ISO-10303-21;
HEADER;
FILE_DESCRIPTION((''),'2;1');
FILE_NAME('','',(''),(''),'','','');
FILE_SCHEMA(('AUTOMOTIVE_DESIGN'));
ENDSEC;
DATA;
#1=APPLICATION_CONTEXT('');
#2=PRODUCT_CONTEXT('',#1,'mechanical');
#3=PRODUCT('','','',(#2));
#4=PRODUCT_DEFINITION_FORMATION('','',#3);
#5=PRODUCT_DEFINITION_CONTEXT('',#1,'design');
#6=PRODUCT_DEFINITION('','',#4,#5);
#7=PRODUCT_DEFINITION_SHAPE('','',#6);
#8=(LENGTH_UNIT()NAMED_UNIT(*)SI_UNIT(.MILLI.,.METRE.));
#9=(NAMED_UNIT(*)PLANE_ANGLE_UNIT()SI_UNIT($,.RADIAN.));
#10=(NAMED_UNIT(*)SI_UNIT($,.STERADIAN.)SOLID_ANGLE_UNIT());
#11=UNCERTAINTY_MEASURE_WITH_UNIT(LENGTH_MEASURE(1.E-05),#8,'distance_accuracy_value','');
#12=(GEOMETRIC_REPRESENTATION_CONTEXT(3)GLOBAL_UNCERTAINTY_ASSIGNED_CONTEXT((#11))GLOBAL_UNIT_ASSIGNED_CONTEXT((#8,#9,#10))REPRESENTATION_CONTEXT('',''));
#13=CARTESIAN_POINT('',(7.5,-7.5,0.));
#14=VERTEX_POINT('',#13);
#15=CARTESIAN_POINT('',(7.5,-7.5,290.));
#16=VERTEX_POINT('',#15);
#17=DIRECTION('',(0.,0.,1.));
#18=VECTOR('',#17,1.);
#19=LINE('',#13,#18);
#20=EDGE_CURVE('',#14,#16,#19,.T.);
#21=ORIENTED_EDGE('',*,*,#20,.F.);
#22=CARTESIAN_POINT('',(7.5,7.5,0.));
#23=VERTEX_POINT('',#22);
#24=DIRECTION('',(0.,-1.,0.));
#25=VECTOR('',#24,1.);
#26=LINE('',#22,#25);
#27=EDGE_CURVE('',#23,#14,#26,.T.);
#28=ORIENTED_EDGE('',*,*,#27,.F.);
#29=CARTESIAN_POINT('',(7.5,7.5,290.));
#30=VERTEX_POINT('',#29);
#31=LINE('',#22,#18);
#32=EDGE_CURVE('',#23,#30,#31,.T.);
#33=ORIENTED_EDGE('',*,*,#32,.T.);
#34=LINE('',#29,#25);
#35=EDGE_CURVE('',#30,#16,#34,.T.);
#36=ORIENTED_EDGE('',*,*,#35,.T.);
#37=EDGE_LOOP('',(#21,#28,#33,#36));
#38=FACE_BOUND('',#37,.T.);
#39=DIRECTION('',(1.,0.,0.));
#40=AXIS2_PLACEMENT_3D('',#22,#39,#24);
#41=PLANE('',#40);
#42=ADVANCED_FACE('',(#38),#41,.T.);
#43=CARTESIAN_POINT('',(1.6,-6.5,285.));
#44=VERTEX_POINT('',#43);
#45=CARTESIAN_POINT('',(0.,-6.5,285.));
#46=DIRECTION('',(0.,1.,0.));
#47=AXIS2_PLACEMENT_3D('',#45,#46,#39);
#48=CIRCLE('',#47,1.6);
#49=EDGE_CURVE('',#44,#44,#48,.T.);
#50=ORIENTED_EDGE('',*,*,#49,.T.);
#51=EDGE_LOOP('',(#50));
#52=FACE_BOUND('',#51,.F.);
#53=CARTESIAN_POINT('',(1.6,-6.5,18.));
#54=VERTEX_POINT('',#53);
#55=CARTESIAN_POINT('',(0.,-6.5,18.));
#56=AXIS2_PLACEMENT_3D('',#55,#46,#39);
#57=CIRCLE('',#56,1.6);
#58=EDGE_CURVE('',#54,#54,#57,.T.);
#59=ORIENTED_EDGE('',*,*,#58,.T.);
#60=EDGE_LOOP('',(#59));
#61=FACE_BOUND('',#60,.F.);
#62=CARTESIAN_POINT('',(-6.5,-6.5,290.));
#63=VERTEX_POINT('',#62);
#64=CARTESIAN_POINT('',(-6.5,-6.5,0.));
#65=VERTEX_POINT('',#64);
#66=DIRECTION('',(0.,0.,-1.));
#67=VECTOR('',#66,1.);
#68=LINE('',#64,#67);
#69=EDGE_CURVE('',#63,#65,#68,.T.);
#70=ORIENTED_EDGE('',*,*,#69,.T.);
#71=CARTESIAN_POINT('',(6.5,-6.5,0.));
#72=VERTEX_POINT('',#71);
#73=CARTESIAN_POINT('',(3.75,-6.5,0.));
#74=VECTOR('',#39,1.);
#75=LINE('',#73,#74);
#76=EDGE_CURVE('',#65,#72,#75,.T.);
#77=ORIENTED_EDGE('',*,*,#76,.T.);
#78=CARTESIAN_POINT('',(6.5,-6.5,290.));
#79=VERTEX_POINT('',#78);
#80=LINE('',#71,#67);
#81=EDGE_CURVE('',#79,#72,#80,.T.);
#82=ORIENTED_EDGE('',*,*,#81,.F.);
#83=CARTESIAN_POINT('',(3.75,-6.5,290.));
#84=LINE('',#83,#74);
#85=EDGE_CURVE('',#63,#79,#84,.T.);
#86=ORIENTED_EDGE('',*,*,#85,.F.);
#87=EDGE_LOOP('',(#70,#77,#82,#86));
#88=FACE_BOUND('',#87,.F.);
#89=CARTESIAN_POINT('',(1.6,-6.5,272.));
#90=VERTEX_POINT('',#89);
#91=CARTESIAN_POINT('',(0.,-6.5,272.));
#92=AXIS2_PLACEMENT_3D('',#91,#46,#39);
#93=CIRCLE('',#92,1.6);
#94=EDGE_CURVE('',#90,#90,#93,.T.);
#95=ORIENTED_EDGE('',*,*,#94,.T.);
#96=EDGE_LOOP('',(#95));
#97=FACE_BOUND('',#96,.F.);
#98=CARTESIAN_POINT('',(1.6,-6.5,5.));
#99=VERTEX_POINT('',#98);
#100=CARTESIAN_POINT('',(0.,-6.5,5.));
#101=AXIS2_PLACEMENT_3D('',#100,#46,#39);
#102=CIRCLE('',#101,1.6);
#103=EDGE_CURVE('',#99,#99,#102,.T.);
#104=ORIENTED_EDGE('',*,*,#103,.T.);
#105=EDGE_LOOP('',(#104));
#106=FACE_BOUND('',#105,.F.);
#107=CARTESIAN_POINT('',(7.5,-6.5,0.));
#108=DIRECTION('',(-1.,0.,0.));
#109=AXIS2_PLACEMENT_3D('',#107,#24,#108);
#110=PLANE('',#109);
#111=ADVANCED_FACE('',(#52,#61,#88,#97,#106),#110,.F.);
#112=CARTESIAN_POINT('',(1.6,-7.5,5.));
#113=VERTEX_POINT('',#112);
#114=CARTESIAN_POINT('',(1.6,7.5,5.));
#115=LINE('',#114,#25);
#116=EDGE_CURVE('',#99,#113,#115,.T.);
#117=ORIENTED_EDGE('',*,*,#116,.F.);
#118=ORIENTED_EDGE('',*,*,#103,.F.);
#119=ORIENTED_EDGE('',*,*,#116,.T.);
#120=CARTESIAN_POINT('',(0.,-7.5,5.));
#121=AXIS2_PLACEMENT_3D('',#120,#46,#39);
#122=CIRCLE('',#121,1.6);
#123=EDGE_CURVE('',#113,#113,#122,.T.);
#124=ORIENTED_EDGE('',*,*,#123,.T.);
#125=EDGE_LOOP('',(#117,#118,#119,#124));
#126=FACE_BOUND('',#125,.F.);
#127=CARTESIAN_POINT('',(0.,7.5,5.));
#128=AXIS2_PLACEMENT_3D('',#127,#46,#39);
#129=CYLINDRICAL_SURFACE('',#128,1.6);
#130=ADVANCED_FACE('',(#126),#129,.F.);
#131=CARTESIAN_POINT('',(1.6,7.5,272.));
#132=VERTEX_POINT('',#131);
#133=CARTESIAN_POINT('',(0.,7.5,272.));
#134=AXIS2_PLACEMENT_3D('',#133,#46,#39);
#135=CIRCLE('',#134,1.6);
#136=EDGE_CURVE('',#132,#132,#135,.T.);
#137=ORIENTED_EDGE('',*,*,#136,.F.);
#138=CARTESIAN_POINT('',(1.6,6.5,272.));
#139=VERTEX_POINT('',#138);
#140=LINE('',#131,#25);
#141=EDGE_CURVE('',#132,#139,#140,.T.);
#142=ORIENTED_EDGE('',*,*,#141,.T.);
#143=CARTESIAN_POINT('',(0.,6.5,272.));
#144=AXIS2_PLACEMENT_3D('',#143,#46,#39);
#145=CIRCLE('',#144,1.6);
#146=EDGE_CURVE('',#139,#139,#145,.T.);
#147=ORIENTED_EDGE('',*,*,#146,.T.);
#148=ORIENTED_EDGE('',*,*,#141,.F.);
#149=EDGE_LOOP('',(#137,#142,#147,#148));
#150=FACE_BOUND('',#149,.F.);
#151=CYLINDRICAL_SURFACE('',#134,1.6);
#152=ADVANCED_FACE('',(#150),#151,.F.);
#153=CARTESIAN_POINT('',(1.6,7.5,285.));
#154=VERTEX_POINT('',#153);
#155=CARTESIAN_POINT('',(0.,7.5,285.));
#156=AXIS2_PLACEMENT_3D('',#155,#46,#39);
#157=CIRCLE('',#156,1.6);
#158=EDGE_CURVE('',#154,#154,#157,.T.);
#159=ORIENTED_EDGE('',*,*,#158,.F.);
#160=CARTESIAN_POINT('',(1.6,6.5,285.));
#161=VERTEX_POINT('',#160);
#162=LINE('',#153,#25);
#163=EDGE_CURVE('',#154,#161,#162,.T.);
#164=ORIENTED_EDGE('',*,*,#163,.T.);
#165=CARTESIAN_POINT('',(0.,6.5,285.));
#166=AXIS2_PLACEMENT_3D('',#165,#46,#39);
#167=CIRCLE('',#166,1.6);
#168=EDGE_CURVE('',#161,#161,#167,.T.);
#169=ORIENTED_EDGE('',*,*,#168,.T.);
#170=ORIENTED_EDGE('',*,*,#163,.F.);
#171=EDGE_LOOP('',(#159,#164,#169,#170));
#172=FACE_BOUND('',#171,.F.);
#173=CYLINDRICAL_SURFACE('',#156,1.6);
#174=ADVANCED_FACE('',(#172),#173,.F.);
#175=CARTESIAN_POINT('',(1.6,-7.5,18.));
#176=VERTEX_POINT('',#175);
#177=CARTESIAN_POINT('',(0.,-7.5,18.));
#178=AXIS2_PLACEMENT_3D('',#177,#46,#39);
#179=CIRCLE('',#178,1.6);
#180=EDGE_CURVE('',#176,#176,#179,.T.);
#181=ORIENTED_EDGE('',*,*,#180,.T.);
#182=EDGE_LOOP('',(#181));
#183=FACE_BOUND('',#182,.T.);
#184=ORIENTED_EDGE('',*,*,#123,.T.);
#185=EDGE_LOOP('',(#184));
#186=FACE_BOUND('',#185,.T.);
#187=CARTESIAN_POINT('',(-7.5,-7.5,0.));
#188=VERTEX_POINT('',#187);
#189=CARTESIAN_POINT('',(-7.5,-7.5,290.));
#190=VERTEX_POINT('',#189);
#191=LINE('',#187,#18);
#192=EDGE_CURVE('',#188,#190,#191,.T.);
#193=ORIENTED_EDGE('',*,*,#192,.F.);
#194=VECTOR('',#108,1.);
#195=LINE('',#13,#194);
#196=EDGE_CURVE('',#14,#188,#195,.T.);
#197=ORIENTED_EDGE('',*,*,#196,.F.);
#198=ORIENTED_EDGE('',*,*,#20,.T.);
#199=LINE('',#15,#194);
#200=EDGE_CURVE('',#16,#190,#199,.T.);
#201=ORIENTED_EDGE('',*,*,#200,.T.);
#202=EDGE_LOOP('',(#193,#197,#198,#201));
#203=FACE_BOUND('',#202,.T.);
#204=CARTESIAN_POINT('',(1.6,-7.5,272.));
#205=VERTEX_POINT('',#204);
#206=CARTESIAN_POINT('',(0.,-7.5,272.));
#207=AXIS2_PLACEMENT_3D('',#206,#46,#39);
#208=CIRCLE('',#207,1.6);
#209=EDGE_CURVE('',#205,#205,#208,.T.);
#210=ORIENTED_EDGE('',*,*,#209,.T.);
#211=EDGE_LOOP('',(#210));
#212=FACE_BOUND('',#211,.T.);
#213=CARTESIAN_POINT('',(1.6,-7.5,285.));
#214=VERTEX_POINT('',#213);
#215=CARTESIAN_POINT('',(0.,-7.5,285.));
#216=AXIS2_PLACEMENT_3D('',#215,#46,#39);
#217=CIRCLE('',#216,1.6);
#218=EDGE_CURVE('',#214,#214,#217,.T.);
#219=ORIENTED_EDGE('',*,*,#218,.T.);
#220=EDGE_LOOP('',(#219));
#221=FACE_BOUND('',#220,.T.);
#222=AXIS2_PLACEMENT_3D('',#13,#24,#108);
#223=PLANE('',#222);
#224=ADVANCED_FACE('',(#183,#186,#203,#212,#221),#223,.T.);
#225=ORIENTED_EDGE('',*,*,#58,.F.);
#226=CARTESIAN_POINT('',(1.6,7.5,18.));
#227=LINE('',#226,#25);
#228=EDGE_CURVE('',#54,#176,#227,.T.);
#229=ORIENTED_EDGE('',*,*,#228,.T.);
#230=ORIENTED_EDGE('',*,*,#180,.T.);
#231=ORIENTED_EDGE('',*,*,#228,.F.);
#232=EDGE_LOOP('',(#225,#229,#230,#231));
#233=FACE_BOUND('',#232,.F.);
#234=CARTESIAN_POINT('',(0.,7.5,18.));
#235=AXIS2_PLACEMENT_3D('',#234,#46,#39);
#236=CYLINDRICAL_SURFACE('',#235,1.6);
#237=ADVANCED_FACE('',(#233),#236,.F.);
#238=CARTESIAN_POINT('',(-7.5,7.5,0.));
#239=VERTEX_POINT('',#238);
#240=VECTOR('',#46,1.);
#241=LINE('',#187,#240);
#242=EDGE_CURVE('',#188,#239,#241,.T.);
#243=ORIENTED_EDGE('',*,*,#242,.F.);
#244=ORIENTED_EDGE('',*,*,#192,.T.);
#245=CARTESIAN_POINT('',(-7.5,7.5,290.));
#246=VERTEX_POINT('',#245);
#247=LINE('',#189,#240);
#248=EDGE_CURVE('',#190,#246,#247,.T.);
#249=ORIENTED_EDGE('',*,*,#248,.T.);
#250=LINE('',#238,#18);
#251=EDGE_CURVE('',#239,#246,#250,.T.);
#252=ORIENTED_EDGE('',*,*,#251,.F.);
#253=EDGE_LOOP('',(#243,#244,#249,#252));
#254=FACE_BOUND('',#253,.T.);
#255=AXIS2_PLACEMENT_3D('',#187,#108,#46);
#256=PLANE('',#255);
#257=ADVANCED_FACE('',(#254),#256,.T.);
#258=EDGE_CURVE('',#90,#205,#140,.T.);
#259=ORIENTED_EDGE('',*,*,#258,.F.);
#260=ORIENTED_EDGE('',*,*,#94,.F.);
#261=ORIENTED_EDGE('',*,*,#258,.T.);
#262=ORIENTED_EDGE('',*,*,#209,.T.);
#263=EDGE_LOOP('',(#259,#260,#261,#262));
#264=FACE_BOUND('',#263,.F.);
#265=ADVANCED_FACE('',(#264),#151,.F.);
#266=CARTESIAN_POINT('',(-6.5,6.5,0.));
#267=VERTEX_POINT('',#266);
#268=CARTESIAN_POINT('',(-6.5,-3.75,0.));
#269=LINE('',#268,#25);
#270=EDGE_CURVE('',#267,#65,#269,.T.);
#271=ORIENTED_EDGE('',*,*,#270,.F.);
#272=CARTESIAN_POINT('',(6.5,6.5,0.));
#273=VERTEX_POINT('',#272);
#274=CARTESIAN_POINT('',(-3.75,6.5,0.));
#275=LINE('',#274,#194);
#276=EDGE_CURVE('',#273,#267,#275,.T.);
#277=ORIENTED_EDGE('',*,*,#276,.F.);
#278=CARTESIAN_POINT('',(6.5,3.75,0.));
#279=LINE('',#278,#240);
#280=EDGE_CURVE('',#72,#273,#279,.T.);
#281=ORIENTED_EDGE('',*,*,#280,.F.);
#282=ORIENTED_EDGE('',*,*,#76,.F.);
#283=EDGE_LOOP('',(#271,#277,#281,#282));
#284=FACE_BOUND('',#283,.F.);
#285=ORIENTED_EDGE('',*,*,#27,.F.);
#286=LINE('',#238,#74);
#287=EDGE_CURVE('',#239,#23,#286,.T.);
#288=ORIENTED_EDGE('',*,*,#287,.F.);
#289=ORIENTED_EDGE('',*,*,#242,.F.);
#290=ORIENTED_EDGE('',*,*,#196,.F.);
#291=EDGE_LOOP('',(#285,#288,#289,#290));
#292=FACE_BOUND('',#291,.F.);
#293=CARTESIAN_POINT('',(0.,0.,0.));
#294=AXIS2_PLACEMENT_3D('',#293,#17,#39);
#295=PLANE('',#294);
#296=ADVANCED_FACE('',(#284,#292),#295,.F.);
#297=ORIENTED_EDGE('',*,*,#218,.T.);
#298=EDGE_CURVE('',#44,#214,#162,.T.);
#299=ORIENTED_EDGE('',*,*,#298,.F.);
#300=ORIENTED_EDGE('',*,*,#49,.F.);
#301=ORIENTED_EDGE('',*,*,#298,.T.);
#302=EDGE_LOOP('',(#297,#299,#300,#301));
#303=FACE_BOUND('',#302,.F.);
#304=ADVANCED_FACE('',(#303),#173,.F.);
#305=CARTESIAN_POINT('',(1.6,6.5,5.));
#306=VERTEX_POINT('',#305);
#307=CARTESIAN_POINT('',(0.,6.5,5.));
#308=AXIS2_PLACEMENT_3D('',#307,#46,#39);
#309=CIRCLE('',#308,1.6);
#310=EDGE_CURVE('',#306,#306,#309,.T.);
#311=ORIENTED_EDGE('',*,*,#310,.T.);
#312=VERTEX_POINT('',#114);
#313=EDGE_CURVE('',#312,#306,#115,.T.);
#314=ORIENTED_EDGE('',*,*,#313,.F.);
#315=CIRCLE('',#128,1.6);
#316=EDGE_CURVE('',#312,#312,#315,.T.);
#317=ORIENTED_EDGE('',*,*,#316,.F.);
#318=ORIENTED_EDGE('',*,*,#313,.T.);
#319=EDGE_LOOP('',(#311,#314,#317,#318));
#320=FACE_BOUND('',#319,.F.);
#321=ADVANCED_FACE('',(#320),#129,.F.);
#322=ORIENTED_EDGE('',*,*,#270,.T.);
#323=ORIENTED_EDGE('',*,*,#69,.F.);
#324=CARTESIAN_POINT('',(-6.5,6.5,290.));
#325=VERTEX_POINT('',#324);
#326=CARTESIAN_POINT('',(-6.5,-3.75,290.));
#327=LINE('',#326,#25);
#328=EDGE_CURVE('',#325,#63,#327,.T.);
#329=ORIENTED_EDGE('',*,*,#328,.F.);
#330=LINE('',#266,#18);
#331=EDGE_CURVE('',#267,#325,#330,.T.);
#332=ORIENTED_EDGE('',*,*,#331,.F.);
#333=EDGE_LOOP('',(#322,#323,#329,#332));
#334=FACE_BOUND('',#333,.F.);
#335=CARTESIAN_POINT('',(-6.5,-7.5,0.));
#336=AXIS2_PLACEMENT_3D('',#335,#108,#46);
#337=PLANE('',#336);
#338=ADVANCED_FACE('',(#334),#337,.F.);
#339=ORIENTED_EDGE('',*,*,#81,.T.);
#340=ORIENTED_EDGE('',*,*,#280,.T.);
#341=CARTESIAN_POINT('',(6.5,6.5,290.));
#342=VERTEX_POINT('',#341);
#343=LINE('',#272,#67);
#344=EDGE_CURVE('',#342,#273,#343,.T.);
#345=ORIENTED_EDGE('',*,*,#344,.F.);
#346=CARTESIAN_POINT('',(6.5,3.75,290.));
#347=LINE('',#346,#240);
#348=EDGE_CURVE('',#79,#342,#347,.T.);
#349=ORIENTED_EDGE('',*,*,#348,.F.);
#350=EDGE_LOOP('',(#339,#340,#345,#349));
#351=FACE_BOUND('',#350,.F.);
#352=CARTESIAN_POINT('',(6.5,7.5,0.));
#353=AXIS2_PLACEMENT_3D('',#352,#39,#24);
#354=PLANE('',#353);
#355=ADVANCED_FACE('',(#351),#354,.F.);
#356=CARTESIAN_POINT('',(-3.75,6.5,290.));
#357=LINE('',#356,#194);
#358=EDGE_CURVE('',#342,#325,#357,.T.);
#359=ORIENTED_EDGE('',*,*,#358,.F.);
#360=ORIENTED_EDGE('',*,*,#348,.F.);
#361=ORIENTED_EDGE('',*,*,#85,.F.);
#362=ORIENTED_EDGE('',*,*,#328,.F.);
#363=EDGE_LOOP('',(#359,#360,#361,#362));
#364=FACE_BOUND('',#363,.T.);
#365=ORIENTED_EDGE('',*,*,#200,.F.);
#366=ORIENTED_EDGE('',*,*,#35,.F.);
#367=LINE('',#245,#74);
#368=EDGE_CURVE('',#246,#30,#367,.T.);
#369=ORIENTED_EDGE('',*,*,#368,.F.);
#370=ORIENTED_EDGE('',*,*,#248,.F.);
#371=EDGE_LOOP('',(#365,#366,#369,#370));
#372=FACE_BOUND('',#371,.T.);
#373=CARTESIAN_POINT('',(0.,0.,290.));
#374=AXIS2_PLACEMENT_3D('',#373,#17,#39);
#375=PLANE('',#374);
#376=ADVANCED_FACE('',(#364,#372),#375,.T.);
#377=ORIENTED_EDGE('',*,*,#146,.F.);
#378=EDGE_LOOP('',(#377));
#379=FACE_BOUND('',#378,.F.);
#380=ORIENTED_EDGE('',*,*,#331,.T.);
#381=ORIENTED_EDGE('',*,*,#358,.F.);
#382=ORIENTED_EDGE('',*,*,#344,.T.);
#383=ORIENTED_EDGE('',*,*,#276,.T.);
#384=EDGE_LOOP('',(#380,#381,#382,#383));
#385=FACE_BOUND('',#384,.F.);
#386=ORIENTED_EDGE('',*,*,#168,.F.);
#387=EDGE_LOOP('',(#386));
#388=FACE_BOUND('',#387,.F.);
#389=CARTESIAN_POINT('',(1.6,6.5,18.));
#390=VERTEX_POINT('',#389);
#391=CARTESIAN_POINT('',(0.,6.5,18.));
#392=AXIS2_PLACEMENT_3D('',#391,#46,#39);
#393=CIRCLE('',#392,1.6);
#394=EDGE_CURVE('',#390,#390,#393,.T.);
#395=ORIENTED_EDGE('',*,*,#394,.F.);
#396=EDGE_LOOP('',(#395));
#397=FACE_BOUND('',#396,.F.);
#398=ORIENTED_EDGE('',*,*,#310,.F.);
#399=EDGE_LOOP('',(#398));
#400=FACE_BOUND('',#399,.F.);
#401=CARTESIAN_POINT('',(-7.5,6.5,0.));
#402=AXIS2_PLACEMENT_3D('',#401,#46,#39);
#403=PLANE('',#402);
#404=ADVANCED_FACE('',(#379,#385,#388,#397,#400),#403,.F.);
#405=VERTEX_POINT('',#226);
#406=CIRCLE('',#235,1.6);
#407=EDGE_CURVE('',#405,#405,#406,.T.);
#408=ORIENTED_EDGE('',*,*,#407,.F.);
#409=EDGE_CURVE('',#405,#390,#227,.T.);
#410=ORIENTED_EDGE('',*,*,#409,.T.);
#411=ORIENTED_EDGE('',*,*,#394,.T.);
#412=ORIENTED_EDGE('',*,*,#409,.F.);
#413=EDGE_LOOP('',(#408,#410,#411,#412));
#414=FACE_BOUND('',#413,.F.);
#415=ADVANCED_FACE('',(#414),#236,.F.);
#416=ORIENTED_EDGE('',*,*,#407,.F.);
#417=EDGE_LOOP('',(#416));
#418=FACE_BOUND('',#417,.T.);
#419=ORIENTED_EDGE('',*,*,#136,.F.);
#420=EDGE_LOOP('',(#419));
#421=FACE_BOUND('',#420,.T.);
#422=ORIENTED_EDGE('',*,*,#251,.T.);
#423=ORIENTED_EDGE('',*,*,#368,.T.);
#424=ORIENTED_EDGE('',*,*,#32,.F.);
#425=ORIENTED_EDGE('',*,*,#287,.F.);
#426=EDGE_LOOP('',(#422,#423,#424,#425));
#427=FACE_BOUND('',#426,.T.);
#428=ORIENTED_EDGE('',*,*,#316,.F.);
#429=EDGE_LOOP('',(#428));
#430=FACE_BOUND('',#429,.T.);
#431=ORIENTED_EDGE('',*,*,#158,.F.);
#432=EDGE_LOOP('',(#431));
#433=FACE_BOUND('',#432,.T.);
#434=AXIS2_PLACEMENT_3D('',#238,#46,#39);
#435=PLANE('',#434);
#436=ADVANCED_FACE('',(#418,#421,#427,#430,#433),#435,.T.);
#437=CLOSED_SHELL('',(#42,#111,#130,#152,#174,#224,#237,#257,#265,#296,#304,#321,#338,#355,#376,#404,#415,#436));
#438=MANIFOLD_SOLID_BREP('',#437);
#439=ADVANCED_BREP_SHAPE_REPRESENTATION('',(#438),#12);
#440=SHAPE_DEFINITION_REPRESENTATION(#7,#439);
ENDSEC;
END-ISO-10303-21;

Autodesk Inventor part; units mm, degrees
ref_plane "YZ Plane" through (0, 0, 0) normal (1, 0, 0) x (0, 1, 0)
ref_plane "XZ Plane" through (0, 0, 0) normal (0, 1, 0) x (-1, 0, 0)
ref_plane "XY Plane" through (0, 0, 0) normal (0, 0, 1) x (1, 0, 0)
sketch "スケッチ1" plane through (0, 0, 0) normal (0, 0, 1) x (1, 0, 0)
  line L0 (-7.5, 7.5) -> (7.5, 7.5)
  line L1 (7.5, 7.5) -> (7.5, -7.5)
  line L2 (7.5, -7.5) -> (-7.5, -7.5)
  line L3 (-7.5, -7.5) -> (-7.5, 7.5)
  point P0 (0, 0)
  point P1 (-7.5, 0)
  point P2 (0, 7.5)
  dimension "d0" = 15
  dimension "d1" = 15
extrude "押し出し1" add sketch "スケッチ1" along normal blind 290
shell "シェル1" thickness 1 removed faces 2 at (-2.5, -2.5, 0) at (-2.5, -2.5, 290)
sketch "スケッチ2" plane through (-7.5, 7.5, 0) normal (0, 1, 0) x (1, 0, 0)
  circle A0 centre (7.5, -5) radius 1.6
  circle A1 centre (7.5, -18) radius 1.6
  circle A2 centre (7.5, -272) radius 1.6
  circle A3 centre (7.5, -285) radius 1.6
  line L0 (15, 0) -> (0, 0) projected
  line L1 (15, -290) -> (0, -290) projected
  point P0 (7.5, 0)
  point P1 (7.5, 0)
  point P2 (7.5, 0)
  dimension "d5" = 3.2
  dimension "d6" = 3.2
  dimension "d7" = 3.2
  dimension "d8" = 3.2
  dimension "d9" = 5
  dimension "d10" = 13
  dimension "d11" = 5
  dimension "d12" = 13
extrude "押し出し2" cut sketch "スケッチ2" against normal through all
properties part number "pipe_elbow2hand" material "アルミニウム 6061"
